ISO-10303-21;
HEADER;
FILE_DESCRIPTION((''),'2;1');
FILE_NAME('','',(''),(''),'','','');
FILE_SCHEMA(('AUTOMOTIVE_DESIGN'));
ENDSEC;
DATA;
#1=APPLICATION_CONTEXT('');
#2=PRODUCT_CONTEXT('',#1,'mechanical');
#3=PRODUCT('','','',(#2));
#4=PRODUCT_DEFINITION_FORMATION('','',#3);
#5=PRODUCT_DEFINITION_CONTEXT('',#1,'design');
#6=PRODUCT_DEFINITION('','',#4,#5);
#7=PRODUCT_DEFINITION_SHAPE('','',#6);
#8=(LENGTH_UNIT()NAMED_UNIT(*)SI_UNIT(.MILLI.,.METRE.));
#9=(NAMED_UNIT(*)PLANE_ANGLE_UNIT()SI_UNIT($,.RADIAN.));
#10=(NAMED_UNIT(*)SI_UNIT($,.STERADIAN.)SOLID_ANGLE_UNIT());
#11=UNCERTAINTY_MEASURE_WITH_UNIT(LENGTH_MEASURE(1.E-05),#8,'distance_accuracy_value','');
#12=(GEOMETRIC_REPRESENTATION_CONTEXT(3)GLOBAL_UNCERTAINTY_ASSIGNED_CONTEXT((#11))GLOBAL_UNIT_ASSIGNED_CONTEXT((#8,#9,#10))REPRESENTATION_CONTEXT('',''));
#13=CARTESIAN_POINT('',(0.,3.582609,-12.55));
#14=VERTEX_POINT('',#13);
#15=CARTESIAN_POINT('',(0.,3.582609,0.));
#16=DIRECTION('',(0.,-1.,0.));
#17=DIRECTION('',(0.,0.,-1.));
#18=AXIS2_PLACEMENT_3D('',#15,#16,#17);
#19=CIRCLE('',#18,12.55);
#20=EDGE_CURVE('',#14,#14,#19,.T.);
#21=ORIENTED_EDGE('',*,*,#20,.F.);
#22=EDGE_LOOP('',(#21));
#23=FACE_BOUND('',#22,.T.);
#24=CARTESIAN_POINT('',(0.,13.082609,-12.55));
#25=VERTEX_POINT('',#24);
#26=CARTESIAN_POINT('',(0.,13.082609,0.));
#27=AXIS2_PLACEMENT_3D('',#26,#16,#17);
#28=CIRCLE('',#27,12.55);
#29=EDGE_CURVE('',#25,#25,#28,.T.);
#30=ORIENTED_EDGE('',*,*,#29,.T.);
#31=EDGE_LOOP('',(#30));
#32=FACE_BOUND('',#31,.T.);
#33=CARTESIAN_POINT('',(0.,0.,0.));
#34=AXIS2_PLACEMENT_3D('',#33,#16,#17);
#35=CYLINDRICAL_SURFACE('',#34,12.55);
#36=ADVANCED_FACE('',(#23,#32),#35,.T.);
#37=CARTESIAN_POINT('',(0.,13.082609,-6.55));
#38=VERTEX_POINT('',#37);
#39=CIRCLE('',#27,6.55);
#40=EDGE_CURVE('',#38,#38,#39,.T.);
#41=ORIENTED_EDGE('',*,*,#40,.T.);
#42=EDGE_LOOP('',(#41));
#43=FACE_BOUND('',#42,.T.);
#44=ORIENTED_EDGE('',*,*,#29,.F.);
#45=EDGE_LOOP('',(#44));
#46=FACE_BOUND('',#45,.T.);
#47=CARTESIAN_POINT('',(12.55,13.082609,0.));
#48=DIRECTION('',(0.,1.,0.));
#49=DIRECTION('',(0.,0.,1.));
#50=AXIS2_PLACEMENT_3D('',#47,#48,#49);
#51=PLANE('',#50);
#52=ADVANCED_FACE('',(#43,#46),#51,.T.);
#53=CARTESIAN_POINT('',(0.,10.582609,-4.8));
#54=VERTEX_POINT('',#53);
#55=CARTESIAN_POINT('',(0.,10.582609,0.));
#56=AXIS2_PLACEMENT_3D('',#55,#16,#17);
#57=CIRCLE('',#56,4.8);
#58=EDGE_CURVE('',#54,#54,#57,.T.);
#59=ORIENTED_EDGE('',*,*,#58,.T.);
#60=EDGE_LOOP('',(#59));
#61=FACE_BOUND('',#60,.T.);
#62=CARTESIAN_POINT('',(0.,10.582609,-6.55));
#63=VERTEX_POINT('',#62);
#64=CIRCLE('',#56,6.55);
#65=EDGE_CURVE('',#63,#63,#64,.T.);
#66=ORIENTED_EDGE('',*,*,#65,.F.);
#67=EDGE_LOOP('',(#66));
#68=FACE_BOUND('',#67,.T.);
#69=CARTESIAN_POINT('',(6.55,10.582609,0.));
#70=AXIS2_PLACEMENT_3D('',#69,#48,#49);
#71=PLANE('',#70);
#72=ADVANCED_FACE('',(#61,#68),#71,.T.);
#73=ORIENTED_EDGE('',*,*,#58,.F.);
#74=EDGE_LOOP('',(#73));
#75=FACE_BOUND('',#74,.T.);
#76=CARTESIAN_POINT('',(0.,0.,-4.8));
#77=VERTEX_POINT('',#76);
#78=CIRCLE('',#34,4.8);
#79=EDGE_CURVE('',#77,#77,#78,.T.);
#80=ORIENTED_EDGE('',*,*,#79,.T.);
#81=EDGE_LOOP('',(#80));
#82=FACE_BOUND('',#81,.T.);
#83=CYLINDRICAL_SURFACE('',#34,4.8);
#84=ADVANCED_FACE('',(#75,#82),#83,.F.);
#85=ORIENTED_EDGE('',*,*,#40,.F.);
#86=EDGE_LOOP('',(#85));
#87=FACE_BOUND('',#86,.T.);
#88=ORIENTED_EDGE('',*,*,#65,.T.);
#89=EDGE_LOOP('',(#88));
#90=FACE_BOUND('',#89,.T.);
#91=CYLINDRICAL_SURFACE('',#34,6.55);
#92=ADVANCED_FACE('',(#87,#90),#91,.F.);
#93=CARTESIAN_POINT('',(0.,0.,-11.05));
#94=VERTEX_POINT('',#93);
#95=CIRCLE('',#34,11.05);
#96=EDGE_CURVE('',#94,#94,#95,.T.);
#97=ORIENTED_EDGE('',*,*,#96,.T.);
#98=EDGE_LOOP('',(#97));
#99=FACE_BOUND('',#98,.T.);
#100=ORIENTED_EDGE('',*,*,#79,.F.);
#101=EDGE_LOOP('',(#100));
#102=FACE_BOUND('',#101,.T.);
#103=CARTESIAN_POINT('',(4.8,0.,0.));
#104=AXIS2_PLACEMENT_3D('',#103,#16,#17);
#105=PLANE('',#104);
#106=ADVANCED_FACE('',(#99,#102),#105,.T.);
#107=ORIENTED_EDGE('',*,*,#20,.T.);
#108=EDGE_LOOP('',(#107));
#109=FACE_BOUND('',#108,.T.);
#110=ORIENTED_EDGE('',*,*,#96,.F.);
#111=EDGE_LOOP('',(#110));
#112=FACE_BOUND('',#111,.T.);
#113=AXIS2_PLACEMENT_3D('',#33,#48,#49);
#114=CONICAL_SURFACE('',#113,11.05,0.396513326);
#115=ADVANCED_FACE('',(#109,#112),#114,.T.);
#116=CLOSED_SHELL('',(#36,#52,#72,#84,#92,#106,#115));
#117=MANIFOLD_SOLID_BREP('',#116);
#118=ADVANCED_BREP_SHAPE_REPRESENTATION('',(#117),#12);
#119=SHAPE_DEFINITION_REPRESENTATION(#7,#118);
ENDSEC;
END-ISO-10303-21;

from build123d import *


with BuildPart() as part:
    # Sketch1 → Revolve1 (revolve)
    with BuildSketch(Plane.XY):
        Polygon((4.8, 0), (11.05, 0), (12.55, 3.582608696), (12.55, 13.082608696), (6.55, 13.082608696), (6.55, 10.582608696), (4.8, 10.582608696), align=None)
    revolve(axis=Axis((0, 0, 0), (0, 1, 0)))


solid = part.part
